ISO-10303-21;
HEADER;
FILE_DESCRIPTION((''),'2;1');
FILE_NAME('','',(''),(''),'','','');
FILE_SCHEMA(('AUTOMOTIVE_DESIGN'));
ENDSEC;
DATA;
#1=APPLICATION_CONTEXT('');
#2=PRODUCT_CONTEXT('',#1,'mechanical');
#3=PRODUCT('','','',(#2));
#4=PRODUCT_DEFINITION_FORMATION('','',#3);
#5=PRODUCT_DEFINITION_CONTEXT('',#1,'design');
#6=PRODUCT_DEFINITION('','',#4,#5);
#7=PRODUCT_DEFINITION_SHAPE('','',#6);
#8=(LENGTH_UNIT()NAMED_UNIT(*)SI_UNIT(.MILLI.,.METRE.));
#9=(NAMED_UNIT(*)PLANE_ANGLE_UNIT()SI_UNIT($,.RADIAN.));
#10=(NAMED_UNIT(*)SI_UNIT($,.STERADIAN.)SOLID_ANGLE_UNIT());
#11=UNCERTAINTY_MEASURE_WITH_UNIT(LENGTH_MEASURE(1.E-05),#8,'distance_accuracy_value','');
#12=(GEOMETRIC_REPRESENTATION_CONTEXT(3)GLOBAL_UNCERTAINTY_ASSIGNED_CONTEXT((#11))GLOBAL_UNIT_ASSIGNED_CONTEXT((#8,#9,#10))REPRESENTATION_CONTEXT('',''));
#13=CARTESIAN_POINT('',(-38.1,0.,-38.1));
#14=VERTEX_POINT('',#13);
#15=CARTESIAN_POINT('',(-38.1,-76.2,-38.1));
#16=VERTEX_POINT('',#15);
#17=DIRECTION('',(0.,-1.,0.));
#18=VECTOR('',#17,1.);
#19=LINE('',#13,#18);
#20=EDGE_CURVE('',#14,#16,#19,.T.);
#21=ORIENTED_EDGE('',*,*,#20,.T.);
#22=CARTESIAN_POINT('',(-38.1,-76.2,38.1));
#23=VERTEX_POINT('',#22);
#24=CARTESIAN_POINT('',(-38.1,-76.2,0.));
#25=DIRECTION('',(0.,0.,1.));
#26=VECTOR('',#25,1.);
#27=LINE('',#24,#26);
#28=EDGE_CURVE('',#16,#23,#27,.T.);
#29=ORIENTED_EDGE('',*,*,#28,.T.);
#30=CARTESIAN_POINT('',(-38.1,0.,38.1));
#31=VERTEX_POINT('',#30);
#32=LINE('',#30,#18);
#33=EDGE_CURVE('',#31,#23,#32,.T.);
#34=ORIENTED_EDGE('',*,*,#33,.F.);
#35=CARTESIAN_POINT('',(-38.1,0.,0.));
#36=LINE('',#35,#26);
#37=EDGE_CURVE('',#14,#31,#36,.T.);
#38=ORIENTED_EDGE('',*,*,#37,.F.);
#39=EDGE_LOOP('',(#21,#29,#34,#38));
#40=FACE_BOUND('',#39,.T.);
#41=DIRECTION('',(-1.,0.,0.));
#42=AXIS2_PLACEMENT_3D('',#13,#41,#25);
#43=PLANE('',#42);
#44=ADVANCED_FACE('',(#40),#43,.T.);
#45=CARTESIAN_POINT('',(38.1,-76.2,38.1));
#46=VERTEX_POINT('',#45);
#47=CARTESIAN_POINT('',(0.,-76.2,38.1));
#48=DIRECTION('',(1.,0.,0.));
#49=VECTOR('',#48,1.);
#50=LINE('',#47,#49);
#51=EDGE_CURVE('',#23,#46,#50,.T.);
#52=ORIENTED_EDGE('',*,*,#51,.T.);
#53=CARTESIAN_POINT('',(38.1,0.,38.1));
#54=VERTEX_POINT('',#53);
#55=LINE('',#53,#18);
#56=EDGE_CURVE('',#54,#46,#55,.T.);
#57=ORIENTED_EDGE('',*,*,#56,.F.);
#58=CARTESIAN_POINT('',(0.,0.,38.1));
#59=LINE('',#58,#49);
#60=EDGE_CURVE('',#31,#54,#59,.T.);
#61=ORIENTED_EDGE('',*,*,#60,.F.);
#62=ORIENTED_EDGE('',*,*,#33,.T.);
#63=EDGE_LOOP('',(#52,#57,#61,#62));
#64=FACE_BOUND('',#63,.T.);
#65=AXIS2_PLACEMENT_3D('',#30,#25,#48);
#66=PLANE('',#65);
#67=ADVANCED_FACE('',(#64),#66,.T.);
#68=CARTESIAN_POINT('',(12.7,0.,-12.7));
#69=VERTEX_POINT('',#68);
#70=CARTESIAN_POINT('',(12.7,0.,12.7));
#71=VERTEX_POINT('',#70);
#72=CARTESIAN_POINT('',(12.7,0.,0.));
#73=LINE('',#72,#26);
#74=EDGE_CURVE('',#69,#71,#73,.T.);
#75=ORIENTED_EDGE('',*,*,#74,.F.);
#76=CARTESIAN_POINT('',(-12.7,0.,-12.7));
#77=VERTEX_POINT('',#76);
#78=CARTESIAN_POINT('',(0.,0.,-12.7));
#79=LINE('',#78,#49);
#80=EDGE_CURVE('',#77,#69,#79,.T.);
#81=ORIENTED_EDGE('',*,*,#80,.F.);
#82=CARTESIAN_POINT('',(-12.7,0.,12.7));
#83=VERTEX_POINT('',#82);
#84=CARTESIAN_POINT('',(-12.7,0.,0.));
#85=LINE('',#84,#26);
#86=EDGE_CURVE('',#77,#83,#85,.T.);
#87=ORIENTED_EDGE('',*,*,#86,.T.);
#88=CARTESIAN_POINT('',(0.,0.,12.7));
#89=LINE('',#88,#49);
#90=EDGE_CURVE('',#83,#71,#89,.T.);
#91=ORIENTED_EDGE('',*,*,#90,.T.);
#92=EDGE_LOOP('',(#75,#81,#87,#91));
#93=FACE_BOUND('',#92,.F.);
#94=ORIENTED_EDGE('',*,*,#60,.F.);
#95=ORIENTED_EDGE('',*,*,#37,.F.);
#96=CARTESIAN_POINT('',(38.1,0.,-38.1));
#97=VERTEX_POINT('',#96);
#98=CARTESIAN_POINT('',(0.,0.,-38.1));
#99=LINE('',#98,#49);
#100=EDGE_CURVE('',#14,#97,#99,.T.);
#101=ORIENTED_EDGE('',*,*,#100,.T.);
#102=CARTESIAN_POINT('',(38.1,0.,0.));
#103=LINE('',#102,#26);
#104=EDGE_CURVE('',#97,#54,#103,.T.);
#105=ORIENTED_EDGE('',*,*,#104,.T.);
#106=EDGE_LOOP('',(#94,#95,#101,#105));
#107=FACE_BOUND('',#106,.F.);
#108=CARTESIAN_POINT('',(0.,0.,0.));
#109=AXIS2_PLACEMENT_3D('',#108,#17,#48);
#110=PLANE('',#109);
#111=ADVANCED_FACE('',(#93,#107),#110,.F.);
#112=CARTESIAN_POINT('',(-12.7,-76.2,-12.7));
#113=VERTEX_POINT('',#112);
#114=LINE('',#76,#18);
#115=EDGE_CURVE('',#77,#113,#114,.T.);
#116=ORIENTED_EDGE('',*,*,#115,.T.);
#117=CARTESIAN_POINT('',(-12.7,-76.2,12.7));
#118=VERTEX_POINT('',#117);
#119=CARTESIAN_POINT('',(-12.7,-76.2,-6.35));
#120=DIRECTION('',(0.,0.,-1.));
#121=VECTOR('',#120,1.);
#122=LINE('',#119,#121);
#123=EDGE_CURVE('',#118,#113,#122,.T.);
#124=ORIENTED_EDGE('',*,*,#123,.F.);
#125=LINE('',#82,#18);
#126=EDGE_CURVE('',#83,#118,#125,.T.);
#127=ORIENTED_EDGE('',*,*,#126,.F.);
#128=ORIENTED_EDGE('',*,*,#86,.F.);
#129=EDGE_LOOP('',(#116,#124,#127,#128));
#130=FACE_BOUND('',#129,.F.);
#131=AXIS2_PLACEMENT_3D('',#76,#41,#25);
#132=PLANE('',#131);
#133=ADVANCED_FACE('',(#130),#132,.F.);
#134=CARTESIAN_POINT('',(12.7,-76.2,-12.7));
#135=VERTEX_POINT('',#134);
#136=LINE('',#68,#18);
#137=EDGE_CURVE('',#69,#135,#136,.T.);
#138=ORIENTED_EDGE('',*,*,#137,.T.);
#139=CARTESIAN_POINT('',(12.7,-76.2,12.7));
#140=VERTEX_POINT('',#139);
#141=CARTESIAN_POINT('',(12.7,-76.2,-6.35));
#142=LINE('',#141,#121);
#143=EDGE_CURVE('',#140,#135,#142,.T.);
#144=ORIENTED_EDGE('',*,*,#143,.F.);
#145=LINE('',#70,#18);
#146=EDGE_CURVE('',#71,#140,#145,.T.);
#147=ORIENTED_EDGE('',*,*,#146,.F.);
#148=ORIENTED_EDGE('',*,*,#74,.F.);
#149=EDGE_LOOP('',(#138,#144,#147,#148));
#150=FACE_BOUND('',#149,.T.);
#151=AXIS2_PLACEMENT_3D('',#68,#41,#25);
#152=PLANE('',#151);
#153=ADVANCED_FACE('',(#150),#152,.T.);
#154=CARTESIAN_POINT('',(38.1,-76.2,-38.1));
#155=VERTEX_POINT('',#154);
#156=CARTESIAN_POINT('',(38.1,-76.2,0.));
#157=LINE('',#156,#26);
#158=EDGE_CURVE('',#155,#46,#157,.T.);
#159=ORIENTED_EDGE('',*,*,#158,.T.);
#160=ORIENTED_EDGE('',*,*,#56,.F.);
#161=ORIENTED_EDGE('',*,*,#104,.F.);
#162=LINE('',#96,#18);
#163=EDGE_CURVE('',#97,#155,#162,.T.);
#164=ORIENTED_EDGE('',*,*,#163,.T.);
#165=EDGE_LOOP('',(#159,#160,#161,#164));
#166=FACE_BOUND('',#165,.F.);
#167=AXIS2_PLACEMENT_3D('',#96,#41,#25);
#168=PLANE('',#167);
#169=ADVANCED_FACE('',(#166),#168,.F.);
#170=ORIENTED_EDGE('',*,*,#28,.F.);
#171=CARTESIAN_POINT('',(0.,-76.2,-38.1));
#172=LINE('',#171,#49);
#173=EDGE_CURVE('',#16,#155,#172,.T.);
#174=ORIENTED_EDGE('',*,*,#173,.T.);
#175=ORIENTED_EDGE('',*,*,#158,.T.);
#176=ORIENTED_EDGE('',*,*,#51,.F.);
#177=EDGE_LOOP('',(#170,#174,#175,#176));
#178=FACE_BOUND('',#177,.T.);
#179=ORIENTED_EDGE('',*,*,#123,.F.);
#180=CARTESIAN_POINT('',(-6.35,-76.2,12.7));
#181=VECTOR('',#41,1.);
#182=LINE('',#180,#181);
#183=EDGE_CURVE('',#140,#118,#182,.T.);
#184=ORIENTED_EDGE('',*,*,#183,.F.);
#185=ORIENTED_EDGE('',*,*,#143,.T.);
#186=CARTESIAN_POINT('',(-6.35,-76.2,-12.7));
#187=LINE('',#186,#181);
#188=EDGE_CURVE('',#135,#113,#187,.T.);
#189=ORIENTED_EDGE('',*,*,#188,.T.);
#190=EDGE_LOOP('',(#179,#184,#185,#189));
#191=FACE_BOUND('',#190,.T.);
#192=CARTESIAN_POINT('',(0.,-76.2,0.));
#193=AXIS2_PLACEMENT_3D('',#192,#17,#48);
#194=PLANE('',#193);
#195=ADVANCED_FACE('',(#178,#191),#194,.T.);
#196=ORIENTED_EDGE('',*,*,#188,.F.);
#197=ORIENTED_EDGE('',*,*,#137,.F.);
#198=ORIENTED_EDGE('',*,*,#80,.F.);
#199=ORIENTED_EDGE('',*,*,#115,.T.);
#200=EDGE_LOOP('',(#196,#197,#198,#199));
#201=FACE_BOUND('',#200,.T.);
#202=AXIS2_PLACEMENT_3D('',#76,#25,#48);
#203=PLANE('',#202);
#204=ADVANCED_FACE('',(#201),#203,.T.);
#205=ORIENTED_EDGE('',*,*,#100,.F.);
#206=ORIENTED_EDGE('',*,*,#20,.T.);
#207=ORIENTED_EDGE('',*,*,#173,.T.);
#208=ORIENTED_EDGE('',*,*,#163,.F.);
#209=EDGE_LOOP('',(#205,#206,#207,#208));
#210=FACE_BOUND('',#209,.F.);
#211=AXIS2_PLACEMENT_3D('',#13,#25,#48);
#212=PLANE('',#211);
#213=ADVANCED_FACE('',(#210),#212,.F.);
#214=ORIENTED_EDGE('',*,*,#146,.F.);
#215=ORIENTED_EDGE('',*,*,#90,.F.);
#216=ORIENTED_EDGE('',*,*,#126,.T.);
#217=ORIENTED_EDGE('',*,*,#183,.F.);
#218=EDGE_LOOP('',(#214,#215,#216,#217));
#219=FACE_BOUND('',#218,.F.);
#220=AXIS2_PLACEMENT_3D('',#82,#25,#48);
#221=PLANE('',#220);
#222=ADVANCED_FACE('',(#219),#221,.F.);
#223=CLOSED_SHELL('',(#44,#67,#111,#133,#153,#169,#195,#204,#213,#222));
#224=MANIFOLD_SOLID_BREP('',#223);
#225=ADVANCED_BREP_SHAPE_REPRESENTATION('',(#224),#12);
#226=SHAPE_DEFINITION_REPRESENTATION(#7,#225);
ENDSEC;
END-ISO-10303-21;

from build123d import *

# Parameters (mm, degrees)
F0_W     = 76.2
F0_H     = 76.2
F1_DEPTH = 76.2
F2_W     = 25.4
F2_H     = 25.4
F3_DEPTH = 76.201


with BuildPart() as f1:
    # F0 (on Front) → F1 (new body)
    with BuildSketch(Plane.XZ):
        Rectangle(F0_W, F0_H)
    extrude(amount=F1_DEPTH)

    # F2 (on Front) → F3 (cut, through all)
    with BuildSketch(Plane.XZ):
        Rectangle(F2_W, F2_H)
    extrude(amount=F3_DEPTH, mode=Mode.SUBTRACT)


solid = f1.part
